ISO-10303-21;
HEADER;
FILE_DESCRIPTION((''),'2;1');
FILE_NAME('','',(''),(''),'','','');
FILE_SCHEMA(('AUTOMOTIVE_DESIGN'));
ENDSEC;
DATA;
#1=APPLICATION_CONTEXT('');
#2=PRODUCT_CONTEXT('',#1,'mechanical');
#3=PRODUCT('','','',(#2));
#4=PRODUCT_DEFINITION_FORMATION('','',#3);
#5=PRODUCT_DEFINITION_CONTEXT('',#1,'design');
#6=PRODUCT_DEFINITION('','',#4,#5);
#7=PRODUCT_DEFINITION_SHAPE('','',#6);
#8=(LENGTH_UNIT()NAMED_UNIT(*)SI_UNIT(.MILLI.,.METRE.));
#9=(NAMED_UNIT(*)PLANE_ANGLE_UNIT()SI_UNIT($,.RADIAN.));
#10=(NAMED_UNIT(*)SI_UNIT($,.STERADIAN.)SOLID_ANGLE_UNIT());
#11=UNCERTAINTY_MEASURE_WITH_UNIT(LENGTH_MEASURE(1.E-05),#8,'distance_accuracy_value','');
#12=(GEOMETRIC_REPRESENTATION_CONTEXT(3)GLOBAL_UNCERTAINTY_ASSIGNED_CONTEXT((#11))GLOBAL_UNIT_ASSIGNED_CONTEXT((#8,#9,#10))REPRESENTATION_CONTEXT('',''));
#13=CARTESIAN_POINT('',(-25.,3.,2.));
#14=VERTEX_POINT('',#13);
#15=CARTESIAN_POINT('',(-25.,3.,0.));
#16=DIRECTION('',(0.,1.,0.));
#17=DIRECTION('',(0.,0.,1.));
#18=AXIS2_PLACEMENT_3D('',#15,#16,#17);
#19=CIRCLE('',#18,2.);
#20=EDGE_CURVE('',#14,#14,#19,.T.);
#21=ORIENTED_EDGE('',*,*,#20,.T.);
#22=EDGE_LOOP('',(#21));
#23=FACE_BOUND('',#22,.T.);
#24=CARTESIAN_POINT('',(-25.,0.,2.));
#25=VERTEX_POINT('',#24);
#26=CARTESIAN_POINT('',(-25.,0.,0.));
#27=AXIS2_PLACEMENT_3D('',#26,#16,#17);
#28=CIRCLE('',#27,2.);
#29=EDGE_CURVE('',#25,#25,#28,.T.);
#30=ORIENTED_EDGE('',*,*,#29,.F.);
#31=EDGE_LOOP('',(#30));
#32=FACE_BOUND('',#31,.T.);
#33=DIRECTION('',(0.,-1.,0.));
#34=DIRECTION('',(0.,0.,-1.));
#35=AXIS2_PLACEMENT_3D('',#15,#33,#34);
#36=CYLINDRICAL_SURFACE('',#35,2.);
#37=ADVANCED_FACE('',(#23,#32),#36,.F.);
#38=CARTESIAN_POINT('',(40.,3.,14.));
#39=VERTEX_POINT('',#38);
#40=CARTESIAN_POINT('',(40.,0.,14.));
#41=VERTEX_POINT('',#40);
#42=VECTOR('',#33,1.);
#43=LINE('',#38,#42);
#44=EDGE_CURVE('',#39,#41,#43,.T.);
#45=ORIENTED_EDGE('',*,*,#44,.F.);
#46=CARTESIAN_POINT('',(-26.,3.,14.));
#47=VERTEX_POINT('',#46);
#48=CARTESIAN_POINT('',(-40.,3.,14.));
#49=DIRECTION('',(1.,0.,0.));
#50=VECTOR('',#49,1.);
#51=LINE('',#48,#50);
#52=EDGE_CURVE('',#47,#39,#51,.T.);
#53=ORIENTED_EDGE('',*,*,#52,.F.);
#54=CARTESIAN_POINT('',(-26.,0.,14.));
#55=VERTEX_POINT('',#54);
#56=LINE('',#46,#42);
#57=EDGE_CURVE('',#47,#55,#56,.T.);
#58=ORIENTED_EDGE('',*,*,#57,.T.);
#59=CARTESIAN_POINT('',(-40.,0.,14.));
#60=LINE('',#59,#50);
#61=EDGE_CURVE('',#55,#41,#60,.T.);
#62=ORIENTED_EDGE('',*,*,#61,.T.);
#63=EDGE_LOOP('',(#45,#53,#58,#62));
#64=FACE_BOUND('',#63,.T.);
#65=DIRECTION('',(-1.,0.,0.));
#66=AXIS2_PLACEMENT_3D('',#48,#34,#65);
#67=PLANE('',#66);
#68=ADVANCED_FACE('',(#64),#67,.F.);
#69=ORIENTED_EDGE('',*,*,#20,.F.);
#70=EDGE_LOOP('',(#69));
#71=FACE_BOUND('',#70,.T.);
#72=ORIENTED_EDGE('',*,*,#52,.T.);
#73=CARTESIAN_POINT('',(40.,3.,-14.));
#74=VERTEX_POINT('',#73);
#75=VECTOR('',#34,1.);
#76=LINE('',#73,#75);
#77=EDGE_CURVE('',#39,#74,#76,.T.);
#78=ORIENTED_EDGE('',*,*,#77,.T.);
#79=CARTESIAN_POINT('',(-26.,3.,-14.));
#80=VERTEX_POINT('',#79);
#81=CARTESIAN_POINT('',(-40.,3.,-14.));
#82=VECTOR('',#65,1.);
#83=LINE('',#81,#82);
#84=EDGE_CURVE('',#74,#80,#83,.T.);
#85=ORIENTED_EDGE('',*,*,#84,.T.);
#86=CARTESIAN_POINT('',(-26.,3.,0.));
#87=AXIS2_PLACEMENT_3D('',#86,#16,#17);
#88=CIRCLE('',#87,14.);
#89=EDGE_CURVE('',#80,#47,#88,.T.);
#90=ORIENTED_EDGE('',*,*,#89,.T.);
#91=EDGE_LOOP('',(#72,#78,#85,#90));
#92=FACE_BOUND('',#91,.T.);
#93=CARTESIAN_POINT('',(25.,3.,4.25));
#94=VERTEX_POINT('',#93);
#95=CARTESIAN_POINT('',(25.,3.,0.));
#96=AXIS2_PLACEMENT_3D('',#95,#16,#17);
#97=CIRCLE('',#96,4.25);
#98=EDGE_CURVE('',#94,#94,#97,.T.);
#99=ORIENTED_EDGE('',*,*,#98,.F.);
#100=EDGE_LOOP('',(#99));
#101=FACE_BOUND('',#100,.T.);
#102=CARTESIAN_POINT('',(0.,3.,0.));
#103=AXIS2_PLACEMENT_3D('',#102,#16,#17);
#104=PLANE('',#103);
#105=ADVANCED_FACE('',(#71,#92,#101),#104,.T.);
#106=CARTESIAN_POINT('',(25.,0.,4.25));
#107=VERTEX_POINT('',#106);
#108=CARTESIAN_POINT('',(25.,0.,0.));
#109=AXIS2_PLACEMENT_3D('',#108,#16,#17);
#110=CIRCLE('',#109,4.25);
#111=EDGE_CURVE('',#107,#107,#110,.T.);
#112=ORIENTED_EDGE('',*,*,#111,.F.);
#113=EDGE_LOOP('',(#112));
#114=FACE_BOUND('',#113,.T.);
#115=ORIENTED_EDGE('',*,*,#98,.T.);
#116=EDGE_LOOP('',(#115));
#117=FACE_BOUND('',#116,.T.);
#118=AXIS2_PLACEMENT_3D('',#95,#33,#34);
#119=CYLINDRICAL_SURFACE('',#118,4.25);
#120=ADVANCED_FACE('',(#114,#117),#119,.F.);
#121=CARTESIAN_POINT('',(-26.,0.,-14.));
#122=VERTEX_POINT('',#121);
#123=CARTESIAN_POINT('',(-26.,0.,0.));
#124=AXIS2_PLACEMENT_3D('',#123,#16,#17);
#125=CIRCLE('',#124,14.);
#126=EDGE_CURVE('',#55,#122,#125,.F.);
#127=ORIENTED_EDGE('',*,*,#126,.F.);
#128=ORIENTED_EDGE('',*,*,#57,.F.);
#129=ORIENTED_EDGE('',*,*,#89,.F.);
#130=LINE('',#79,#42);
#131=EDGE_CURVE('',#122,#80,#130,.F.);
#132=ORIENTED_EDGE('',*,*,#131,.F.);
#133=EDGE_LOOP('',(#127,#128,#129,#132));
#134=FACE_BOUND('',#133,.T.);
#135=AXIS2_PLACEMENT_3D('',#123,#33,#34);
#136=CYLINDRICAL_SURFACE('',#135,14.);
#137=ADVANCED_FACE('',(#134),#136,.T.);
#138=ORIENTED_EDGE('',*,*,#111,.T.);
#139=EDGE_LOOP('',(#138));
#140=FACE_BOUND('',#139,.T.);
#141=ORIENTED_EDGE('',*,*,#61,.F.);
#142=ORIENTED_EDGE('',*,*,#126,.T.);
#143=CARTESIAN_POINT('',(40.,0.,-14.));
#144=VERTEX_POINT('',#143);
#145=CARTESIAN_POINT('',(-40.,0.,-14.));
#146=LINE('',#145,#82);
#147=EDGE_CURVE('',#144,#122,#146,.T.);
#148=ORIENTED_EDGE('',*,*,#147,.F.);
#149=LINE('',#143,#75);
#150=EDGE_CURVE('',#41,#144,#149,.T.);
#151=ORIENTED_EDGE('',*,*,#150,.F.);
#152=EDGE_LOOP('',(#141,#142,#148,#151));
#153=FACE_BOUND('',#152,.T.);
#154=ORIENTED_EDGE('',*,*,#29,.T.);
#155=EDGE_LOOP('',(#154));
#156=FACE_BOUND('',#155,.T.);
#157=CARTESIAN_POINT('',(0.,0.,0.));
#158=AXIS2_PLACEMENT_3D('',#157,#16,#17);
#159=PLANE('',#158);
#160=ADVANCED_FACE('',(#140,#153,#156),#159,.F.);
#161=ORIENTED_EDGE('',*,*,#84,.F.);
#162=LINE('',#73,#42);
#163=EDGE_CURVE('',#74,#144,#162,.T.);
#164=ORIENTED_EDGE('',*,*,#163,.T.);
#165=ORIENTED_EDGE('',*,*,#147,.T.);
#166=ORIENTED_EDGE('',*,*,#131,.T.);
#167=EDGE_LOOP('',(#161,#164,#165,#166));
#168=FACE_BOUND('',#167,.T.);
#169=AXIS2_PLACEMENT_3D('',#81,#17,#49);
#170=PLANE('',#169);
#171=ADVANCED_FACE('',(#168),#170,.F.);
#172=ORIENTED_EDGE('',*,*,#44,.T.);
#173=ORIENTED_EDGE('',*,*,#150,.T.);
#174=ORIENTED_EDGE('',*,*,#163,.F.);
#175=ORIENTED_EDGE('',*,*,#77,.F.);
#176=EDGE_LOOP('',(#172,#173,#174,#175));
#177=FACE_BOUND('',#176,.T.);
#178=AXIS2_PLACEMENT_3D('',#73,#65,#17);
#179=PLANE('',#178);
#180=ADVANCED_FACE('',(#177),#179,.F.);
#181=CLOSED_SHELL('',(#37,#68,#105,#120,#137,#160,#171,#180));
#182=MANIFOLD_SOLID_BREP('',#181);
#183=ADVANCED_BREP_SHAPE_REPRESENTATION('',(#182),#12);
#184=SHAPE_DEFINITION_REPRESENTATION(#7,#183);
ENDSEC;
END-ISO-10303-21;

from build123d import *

# Parameters (mm, degrees)
SKETCH_1_W      = 80
SKETCH_1_H      = 28
SKETCH_1_R      = 4.25
SKETCH_1_R_2    = 2
EXTRUDE_1_DEPTH = 3
FILLET_1_RADIUS = 14
FILLET_1_LENGTH = 3


with BuildPart() as part:
    # 草图1 → 凸台-拉伸1 (new body)
    with BuildSketch(Plane(origin=(0, 0, 0), x_dir=(1, 0, 0), z_dir=(0, 1, 0))):
        Rectangle(SKETCH_1_W, SKETCH_1_H)
        with Locations(Location((25, 0, 0), (0, 0, 270))):
            Circle(SKETCH_1_R, mode=Mode.SUBTRACT)
        with Locations(Location((-25, 0, 0), (0, 0, 270))):
            Circle(SKETCH_1_R_2, mode=Mode.SUBTRACT)
    extrude(amount=EXTRUDE_1_DEPTH)

    # 圆角1: full round fillet: the end face becomes a half cylinder, R = half its width
    fillet_1_face = Plane((-40, 1.5, 0), x_dir=(0, 1, 0), z_dir=(-1, 0, 0))  # on the end face: x along it, z out of the body
    fillet_1_slab = fillet_1_face.offset(-FILLET_1_RADIUS / 2) * Box(FILLET_1_LENGTH, 2 * FILLET_1_RADIUS, FILLET_1_RADIUS, mode=Mode.PRIVATE)  # the body's end, R deep
    fillet_1_round = Plane((-26, 1.5, 0), x_dir=(-1, 0, 0), z_dir=(0, 1, 0)) * Cylinder(FILLET_1_RADIUS, FILLET_1_LENGTH, mode=Mode.PRIVATE)  # its axis R under the face
    add(fillet_1_slab - fillet_1_round, mode=Mode.SUBTRACT)


solid = part.part
